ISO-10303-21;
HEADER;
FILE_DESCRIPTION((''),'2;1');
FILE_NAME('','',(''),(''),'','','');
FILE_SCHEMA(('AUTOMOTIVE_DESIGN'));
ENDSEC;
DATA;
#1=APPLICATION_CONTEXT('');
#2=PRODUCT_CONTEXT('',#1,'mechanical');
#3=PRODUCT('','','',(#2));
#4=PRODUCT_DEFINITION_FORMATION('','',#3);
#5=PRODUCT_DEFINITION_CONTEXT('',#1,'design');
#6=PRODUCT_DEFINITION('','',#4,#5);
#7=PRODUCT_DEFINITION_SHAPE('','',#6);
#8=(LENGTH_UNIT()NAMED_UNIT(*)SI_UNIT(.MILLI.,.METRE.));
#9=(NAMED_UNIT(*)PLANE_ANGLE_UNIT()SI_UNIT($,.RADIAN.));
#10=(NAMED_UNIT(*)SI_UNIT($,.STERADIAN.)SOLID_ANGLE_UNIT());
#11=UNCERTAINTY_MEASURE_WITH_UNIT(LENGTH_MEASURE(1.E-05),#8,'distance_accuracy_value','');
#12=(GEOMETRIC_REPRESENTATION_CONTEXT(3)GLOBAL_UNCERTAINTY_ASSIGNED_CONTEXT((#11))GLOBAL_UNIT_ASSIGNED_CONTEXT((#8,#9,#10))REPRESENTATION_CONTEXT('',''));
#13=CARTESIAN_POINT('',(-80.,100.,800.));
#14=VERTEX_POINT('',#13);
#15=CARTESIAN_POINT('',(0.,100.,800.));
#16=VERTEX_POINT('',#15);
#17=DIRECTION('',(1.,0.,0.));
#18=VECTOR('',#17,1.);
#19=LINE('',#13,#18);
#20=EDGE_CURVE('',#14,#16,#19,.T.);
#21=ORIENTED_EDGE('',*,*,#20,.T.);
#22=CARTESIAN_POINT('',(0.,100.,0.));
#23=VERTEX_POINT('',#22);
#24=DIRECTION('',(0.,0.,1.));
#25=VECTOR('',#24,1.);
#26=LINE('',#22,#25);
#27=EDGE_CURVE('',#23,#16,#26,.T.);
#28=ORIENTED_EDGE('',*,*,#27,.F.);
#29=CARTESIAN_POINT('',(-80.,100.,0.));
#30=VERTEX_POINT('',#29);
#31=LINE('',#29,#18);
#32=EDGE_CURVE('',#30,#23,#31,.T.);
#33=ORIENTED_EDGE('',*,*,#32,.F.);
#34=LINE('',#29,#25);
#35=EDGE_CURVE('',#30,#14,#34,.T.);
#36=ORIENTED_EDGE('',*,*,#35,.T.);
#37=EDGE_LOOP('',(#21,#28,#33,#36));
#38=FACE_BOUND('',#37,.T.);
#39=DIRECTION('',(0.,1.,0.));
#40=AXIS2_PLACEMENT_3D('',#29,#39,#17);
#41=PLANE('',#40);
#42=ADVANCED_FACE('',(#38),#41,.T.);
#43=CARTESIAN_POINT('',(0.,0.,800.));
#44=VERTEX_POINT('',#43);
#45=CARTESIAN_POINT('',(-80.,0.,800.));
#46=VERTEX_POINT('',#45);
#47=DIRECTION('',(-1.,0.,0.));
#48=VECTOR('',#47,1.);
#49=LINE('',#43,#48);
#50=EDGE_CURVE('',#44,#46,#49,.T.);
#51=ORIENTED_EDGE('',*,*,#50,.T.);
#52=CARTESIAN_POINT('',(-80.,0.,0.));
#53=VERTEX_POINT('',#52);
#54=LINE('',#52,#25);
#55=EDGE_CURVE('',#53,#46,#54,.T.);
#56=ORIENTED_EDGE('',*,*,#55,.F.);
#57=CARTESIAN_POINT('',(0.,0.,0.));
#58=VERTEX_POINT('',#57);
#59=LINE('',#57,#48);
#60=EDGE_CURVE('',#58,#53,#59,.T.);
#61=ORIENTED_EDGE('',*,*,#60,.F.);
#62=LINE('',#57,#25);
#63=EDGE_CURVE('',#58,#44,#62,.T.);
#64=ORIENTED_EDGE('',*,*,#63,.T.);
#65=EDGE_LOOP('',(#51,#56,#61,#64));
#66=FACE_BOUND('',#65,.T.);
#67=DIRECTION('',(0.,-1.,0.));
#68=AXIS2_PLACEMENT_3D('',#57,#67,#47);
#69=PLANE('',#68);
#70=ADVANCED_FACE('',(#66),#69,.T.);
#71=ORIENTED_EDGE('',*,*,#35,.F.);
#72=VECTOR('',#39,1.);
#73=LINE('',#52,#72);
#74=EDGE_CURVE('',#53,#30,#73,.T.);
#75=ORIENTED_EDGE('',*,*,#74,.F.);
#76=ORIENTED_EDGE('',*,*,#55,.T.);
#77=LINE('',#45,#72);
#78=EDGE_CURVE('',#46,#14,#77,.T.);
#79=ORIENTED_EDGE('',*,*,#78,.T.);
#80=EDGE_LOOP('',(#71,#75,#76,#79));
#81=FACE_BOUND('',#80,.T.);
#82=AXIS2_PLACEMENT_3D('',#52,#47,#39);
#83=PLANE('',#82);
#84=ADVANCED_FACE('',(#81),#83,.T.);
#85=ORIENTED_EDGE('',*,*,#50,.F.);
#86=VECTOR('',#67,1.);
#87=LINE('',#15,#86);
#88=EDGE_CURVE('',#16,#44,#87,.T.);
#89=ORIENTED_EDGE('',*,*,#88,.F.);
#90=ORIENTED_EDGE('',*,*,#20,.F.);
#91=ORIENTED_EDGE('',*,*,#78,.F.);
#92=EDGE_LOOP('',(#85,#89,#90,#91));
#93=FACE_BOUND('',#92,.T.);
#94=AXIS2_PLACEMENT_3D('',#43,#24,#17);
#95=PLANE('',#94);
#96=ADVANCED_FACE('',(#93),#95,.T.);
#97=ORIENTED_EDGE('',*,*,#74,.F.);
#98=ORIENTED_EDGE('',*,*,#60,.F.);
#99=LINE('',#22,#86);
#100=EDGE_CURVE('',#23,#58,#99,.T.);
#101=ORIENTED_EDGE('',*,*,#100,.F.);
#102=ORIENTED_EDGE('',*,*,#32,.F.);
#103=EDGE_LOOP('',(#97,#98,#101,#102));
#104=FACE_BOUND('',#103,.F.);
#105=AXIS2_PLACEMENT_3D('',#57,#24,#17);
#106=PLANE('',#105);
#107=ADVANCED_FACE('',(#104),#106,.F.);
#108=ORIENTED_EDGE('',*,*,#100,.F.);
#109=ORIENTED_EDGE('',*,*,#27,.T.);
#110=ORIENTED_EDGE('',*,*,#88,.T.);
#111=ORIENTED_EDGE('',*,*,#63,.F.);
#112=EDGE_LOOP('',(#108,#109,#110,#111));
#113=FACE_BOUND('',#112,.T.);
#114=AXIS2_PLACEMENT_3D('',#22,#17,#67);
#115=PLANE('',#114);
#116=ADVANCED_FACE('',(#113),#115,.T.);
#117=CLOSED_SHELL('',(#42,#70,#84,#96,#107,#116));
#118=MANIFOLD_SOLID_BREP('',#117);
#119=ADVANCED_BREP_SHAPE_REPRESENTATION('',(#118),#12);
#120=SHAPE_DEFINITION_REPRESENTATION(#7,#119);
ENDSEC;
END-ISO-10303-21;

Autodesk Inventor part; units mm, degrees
ref_plane "YZ Plane" through (0, 0, 0) normal (1, 0, 0) x (0, 1, 0)
ref_plane "XZ Plane" through (0, 0, 0) normal (0, 1, 0) x (-1, 0, 0)
ref_plane "XY Plane" through (0, 0, 0) normal (0, 0, 1) x (1, 0, 0)
sketch "Sketch1" plane through (0, 0, 0) normal (0, 0, 1) x (1, 0, 0)
  line L0 (0, 0) -> (-80, 0)
  line L1 (-80, 0) -> (-80, 100)
  line L2 (-80, 100) -> (0, 100)
  line L3 (0, 100) -> (0, 0)
  dimension "d0" = 100
  dimension "d1" = 80
extrude "Extrusion1" add sketch "Sketch1" along normal blind 800
properties part number "PoutreDirection" material "Wood (Birch)"
